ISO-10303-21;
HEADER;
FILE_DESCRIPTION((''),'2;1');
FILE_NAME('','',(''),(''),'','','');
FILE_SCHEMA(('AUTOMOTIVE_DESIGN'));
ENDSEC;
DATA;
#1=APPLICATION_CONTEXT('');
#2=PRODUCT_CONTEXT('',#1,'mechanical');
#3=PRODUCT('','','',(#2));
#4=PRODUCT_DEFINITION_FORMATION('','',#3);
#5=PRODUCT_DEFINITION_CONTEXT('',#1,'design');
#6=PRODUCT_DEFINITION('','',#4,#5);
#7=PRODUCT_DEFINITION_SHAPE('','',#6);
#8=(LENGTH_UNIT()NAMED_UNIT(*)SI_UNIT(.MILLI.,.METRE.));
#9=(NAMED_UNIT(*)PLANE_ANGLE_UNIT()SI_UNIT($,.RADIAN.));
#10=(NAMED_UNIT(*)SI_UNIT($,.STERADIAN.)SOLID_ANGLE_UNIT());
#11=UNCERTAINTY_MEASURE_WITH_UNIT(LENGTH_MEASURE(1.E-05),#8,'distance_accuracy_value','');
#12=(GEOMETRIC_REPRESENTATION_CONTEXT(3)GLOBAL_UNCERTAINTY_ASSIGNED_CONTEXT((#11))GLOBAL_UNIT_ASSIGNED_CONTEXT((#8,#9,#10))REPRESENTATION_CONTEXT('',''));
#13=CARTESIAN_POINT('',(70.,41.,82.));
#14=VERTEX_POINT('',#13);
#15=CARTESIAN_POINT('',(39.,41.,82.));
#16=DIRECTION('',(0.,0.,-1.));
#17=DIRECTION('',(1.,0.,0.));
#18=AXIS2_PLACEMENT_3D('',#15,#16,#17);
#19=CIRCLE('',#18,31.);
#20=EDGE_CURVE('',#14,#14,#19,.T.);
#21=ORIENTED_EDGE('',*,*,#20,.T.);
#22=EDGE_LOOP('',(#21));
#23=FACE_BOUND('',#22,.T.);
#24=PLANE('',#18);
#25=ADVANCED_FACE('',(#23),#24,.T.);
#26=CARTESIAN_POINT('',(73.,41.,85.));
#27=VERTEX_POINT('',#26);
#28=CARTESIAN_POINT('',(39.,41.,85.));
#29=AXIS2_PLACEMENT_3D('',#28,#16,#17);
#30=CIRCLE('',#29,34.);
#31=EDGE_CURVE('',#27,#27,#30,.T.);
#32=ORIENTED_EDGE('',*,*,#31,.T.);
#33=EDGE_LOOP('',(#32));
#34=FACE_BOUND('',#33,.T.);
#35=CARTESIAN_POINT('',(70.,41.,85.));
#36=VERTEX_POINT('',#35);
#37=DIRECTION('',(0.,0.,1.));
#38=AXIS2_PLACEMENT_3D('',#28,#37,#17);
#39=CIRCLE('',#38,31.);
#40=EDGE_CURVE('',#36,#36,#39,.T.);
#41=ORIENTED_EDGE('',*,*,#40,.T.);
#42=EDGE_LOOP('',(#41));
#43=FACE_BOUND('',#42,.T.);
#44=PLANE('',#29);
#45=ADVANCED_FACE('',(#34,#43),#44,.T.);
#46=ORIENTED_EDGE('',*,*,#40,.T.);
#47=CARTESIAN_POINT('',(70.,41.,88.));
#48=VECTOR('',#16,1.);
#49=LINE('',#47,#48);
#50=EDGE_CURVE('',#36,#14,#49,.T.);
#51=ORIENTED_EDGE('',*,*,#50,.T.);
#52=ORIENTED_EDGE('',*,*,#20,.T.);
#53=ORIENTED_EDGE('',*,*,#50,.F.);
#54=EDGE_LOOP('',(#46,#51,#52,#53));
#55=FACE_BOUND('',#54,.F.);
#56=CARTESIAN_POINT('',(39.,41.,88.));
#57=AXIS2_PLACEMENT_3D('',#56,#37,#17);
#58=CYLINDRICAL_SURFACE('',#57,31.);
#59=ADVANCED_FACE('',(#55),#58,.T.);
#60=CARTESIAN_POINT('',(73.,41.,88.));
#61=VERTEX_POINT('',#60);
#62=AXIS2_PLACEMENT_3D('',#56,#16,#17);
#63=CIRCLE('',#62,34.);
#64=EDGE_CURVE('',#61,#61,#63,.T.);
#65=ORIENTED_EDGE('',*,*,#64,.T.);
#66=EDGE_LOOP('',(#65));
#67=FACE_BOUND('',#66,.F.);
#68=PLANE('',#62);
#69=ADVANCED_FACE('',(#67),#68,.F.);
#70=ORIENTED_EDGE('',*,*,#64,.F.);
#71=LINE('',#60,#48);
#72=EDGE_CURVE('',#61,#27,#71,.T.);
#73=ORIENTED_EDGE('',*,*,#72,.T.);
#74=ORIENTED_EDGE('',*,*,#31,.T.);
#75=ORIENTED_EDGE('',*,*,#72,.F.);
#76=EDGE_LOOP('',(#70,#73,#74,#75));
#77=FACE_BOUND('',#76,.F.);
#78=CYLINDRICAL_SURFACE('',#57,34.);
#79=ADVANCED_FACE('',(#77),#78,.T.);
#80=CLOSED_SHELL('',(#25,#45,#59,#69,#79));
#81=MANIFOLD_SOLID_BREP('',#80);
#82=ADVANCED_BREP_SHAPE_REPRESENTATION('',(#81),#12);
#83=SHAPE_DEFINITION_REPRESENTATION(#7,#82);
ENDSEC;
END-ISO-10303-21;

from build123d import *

# Parameters (mm, degrees)
CYLINDER048_R             = 31
CYLINDER048_DEPTH         = 6
CYLINDER047_R             = 34
CYLINDER047_DEPTH         = 3
FUSION025_PLACEMENT_ANGLE = 180


with BuildPart() as cylinder048:
    # Cylinder048 → Cylinder048 (new body)
    with BuildSketch(Plane.XY):
        Circle(CYLINDER048_R)
    extrude(amount=CYLINDER048_DEPTH)


with BuildPart() as cap:
    # Cylinder047 → Cylinder047 (new body)
    with BuildSketch(Plane.XY):
        Circle(CYLINDER047_R)
    extrude(amount=CYLINDER047_DEPTH)

    # Fusion025: union Cylinder048
    add(cylinder048.part)


with BuildPart() as cap_1:
    # Fusion025 placement: moved
    add(cap.part.moved(Location((39, 41, 88))).rotate(Axis((39, 41, 88), (1, 0, 0)), FUSION025_PLACEMENT_ANGLE))


solid = cap_1.part
